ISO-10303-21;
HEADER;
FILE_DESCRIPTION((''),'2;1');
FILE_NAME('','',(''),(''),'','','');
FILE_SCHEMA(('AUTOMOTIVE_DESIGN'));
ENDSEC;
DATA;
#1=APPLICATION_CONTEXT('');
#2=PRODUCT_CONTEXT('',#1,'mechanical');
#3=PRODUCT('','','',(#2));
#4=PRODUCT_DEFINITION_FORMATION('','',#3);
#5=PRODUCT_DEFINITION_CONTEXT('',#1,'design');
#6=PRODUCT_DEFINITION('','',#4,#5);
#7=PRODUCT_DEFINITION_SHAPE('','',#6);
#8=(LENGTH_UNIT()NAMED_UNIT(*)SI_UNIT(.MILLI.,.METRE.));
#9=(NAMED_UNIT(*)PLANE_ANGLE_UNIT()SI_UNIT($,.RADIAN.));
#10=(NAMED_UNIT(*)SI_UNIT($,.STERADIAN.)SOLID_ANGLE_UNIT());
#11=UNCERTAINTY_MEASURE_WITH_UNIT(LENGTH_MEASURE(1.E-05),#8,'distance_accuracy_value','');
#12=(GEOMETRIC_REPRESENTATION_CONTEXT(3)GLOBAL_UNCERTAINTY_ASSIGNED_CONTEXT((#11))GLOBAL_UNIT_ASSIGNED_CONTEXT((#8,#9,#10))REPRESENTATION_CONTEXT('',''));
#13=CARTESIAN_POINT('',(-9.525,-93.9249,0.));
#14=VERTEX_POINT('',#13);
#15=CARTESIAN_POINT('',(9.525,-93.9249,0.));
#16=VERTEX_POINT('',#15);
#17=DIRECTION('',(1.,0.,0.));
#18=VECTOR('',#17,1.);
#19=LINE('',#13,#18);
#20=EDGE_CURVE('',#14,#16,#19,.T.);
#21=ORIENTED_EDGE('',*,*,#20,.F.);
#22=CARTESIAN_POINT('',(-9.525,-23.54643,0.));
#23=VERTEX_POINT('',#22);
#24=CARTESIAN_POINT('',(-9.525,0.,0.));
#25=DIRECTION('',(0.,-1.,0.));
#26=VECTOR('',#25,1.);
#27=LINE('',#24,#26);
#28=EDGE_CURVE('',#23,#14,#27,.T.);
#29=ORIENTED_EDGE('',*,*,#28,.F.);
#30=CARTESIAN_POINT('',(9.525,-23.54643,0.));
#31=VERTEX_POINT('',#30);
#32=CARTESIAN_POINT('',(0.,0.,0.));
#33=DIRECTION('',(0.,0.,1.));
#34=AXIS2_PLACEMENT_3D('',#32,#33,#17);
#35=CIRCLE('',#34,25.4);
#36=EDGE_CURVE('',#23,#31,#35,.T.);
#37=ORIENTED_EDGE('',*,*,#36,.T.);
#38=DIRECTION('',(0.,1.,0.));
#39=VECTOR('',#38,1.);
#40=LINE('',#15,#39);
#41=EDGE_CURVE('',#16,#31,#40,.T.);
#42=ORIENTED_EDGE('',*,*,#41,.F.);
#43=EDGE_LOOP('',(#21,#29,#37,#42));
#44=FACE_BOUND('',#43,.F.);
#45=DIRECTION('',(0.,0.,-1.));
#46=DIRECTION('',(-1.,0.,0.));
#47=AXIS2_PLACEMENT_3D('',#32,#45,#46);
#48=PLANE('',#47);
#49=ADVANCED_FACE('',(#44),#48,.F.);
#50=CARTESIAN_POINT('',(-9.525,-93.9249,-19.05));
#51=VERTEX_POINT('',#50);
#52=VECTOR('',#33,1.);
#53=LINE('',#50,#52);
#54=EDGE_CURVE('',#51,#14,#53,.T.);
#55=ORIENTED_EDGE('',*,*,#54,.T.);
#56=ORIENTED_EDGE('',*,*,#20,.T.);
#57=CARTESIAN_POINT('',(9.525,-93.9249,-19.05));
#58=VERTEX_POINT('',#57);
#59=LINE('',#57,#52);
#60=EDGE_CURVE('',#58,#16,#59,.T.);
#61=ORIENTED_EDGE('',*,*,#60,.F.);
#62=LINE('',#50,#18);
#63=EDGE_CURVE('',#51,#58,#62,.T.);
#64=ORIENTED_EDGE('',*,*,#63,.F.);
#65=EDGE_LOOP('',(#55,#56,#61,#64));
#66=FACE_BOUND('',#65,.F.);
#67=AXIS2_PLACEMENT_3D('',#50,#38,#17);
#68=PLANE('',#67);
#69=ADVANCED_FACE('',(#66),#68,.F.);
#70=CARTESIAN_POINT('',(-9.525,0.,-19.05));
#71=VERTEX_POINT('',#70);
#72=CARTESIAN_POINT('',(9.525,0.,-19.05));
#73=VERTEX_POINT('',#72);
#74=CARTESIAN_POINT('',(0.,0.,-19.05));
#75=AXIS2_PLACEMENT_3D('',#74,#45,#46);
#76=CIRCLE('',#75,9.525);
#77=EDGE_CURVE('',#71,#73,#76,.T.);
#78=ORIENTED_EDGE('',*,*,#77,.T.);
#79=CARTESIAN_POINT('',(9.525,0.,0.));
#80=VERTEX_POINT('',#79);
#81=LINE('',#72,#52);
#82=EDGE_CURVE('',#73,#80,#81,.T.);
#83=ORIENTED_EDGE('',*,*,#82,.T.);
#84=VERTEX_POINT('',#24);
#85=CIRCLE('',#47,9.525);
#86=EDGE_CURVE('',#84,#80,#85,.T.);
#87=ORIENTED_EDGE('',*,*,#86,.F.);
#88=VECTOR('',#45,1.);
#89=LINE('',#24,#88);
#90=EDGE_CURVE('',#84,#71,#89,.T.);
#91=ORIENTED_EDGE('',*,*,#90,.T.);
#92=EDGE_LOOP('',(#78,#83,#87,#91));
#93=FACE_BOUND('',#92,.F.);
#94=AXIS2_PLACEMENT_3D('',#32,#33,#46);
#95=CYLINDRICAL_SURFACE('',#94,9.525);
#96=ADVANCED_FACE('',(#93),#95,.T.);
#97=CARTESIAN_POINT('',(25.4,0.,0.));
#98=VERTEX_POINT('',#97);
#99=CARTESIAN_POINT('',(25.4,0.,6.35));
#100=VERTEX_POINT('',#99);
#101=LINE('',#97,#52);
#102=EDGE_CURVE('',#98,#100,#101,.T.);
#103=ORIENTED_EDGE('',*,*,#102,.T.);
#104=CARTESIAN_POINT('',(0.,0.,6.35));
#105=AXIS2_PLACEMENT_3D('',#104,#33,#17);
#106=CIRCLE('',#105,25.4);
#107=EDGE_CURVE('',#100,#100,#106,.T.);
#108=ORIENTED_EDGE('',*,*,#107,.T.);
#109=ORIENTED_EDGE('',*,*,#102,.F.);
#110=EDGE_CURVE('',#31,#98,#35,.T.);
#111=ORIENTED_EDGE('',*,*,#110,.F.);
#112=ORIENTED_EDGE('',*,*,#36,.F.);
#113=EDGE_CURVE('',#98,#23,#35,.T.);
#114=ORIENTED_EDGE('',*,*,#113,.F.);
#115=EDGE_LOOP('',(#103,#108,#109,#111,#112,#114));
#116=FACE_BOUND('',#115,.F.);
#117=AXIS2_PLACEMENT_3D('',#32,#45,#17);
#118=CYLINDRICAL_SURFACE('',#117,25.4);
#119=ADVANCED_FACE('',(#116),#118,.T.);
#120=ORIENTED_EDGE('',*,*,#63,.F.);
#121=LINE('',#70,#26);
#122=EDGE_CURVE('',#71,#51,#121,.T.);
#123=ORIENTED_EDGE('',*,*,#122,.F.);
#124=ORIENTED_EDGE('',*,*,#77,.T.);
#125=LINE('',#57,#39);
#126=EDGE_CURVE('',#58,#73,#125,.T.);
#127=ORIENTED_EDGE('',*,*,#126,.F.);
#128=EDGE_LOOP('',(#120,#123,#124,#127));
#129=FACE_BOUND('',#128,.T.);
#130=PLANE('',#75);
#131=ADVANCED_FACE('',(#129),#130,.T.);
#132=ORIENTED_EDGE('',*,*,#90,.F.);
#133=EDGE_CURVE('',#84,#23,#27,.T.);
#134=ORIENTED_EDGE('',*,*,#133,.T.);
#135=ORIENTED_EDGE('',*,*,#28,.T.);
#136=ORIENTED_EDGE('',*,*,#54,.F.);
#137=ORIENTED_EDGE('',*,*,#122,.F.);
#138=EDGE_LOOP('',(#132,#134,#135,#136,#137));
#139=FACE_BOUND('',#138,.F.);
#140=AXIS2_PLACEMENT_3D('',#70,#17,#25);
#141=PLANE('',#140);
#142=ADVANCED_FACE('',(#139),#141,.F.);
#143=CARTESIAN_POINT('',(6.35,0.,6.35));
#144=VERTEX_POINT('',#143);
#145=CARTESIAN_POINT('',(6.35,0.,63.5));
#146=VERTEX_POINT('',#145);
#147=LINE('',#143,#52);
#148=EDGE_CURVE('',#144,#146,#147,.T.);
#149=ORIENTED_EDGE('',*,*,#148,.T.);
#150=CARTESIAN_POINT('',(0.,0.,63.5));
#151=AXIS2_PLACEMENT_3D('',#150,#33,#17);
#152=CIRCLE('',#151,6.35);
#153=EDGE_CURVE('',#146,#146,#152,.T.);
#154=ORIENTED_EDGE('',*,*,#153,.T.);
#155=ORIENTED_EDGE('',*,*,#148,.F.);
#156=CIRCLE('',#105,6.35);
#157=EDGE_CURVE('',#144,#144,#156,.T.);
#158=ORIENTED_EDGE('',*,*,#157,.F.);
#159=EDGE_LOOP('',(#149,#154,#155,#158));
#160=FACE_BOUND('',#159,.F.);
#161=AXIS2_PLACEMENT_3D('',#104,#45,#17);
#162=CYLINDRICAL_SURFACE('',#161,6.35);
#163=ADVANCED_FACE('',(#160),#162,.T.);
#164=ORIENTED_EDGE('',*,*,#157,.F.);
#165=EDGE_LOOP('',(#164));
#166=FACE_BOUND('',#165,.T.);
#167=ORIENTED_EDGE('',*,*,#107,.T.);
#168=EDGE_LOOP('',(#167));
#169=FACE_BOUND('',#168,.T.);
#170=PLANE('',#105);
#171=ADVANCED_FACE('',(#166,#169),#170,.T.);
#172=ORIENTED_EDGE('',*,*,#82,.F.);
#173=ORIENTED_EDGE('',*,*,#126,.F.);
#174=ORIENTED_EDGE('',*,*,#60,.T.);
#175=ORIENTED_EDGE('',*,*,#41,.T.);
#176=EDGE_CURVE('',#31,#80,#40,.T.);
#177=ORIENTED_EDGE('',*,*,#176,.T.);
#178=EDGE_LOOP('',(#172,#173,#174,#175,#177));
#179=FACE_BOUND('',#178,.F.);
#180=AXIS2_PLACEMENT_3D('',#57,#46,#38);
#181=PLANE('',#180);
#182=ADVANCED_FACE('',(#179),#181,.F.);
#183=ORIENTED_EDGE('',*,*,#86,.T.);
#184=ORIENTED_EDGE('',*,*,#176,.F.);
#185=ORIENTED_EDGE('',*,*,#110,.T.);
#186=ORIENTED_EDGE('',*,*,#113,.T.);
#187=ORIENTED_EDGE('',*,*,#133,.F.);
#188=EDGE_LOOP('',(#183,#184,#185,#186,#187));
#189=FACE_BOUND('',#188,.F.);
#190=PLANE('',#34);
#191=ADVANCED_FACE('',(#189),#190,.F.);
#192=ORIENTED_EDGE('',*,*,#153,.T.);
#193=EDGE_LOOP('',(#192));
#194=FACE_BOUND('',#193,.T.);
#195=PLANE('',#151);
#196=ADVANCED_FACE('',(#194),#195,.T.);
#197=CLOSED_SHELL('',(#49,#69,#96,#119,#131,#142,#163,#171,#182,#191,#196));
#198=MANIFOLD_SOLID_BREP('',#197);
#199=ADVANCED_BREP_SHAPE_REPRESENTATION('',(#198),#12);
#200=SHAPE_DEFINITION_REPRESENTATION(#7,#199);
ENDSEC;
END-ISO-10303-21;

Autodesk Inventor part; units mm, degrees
ref_plane "YZ Plane" through (0, 0, 0) normal (1, 0, 0) x (0, 1, 0)
ref_plane "XZ Plane" through (0, 0, 0) normal (0, 1, 0) x (-1, 0, 0)
ref_plane "XY Plane" through (0, 0, 0) normal (0, 0, 1) x (1, 0, 0)
sketch "Sketch1" plane through (0, 0, 0) normal (0, 0, 1) x (1, 0, 0)
  circle A0 centre (0, 0) radius 25.4
  dimension "d0" = 50.8
extrude "Extrusion1" add sketch "Sketch1" along normal blind 6.35
sketch "Sketch2" plane through (0, 0, 6.35) normal (0, 0, 1) x (1, 0, 0)
  circle A0 centre (0, 0) radius 6.35
  dimension "d3" = 12.7
extrude "Extrusion2" add sketch "Sketch2" along normal blind 57.15
sketch "Sketch3" plane through (0, 0, 0) normal (0, 0, -1) x (-1, 0, 0)
  circle A0 centre (0, 0) radius 6.35 projected
  circle A1 centre (0, 0) radius 9.525
  dimension "d6" = 19.05
extrude "Extrusion3" add sketch "Sketch3" along normal blind 19.05
sketch "Sketch4" plane through (0, 0, -19.05) normal (0, 0, -1) x (-1, 0, 0)
  circle A0 centre (0, 0) radius 9.525 projected
  circle A1 centre (0, 0) radius 9.525 construction
  line L0 (-9.525, 0) -> (9.525, 0) construction
  line L1 (-9.525, 0) -> (9.525, 0)
  line L2 (9.525, 0) -> (9.525, -93.9249)
  line L3 (9.525, -93.9249) -> (-9.525, -93.9249)
  line L4 (-9.525, -93.9249) -> (-9.525, 0)
  dimension "d9" = 19.05
  dimension "d10" = 93.9249
extrude "Extrusion4" add sketch "Sketch4" against normal blind 19.05 contours L2 L3 L4 A0
extrude "Extrusion6" add sketch "Sketch3" along normal blind 19.05 contours A0
equation "\"d0\" = OG_gearDiameter"
equation "\"d1\" = OG_gearThickness"
equation "\"d3\" = OG_shaftDiameter"
equation "\"d4\" = OG_shaftLength"
equation "\"d6\" = LE_baseDiameter"
equation "\"d7\" = LE_thickness"
equation "\"d9\" = LE_thickness"
equation "\"d10\" = LE_maxLength"
equation "\"d11\" = LE_thickness"
equation "\"d15\" = LE_thickness + LE_offsetAboveOuterGear"
equation "\"Wheel_Related_W_\" = 0"
equation "\"W_innerDiameter\" = 254"
equation "\"W_innerDepth\" = 50.8"
equation "\"W_wallThickness\" = 6.35"
equation "\"W_holesClearance\" = 0.254"
equation "\"W_outerGearHoleDiameter\" = 13.208"
equation "\"W_innerGearHoleDiameter\" = 38.608"
equation "\"TempSpotReserved7\" = 0"
equation "\"TempSpotReserved8\" = 0"
equation "\"TempSpotReserved9\" = 0"
equation "\"TempSpotReserved10\" = 0"
equation "\"TempSpotReserved11\" = 0"
equation "\"TempSpotReserved12\" = 0"
equation "\"TempSpotReserved13\" = 0"
equation "\"TempSpotReserved14\" = 0"
equation "\"TempSpotReserved15\" = 0"
equation "\"TempSpotReserved16\" = 0"
equation "\"TempSpotReserved17\" = 0"
equation "\"TempSpotReserved18\" = 0"
equation "\"TempSpotReserved19\" = 0"
equation "\"TempSpotReserved20\" = 0"
equation "\"Inner_Gear_Related_IG_\" = 0"
equation "\"IG_shaftDiameter\" = 25.4"
equation "\"IG_gearDiameter\" = 127"
equation "\"IG_shaftLength\" = 127"
equation "\"IG_gearThickness\" = 6.35"
equation "\"TempSpotReserved25\" = 0"
equation "\"TempSpotReserved26\" = 0"
equation "\"TempSpotReserved27\" = 0"
equation "\"TempSpotReserved28\" = 0"
equation "\"TempSpotReserved29\" = 0"
equation "\"TempSpotReserved30\" = 0"
equation "\"TempSpotReserved31\" = 0"
equation "\"TempSpotReserved32\" = 0"
equation "\"TempSpotReserved33\" = 0"
equation "\"TempSpotReserved34\" = 0"
equation "\"TempSpotReserved35\" = 0"
equation "\"TempSpotReserved36\" = 0"
equation "\"TempSpotReserved37\" = 0"
equation "\"TempSpotReserved38\" = 0"
equation "\"TempSpotReserved39\" = 0"
equation "\"TempSpotReserved40\" = 0"
equation "\"Outer_Gear_Related_OG_\" = 0"
equation "\"OG_distanceFromCenter\" = 88.9"
equation "\"OG_shaftDiameter\" = 12.7"
equation "\"OG_gearDiameter\" = 50.8"
equation "\"OG_shaftLength\" = 57.15"
equation "\"OG_gearThickness\" = 6.35"
equation "\"TempSpotReserved47\" = 0"
equation "\"TempSpotReserved48\" = 0"
equation "\"TempSpotReserved49\" = 0"
equation "\"TempSpotReserved50\" = 0"
equation "\"TempSpotReserved51\" = 0"
equation "\"TempSpotReserved52\" = 0"
equation "\"TempSpotReserved53\" = 0"
equation "\"TempSpotReserved54\" = 0"
equation "\"TempSpotReserved55\" = 0"
equation "\"TempSpotReserved56\" = 0"
equation "\"TempSpotReserved57\" = 0"
equation "\"TempSpotReserved58\" = 0"
equation "\"TempSpotReserved59\" = 0"
equation "\"TempSpotReserved60\" = 0"
equation "\"Leg_Extensions_Related_LE_\" = 0"
equation "\"LE_baseDiameter\" = 19.05"
equation "\"LE_maxLength\" = 93.92488"
equation "\"LE_thickness\" = 19.05"
equation "\"IG_ratioToOuterGear\" = 2.5"
equation "\"B_bearingThickness\" = 6.35"
equation "\"TempSpotReserved43\" = 0"
equation "\"TempSpotReserved45\" = 0"
equation "\"Thisisatest\" = 25.4"
equation "\"TempSpotReserved46\" = 0"
equation "\"TempSpotReserved44\" = 0"
equation "\"LE_offsetAboveOuterGear\" = 0"
equation "\"Bearing_Related_B_\" = 0"
equation "\"TempSpotReserved42\" = 0"
properties part number "outerGear_2"
